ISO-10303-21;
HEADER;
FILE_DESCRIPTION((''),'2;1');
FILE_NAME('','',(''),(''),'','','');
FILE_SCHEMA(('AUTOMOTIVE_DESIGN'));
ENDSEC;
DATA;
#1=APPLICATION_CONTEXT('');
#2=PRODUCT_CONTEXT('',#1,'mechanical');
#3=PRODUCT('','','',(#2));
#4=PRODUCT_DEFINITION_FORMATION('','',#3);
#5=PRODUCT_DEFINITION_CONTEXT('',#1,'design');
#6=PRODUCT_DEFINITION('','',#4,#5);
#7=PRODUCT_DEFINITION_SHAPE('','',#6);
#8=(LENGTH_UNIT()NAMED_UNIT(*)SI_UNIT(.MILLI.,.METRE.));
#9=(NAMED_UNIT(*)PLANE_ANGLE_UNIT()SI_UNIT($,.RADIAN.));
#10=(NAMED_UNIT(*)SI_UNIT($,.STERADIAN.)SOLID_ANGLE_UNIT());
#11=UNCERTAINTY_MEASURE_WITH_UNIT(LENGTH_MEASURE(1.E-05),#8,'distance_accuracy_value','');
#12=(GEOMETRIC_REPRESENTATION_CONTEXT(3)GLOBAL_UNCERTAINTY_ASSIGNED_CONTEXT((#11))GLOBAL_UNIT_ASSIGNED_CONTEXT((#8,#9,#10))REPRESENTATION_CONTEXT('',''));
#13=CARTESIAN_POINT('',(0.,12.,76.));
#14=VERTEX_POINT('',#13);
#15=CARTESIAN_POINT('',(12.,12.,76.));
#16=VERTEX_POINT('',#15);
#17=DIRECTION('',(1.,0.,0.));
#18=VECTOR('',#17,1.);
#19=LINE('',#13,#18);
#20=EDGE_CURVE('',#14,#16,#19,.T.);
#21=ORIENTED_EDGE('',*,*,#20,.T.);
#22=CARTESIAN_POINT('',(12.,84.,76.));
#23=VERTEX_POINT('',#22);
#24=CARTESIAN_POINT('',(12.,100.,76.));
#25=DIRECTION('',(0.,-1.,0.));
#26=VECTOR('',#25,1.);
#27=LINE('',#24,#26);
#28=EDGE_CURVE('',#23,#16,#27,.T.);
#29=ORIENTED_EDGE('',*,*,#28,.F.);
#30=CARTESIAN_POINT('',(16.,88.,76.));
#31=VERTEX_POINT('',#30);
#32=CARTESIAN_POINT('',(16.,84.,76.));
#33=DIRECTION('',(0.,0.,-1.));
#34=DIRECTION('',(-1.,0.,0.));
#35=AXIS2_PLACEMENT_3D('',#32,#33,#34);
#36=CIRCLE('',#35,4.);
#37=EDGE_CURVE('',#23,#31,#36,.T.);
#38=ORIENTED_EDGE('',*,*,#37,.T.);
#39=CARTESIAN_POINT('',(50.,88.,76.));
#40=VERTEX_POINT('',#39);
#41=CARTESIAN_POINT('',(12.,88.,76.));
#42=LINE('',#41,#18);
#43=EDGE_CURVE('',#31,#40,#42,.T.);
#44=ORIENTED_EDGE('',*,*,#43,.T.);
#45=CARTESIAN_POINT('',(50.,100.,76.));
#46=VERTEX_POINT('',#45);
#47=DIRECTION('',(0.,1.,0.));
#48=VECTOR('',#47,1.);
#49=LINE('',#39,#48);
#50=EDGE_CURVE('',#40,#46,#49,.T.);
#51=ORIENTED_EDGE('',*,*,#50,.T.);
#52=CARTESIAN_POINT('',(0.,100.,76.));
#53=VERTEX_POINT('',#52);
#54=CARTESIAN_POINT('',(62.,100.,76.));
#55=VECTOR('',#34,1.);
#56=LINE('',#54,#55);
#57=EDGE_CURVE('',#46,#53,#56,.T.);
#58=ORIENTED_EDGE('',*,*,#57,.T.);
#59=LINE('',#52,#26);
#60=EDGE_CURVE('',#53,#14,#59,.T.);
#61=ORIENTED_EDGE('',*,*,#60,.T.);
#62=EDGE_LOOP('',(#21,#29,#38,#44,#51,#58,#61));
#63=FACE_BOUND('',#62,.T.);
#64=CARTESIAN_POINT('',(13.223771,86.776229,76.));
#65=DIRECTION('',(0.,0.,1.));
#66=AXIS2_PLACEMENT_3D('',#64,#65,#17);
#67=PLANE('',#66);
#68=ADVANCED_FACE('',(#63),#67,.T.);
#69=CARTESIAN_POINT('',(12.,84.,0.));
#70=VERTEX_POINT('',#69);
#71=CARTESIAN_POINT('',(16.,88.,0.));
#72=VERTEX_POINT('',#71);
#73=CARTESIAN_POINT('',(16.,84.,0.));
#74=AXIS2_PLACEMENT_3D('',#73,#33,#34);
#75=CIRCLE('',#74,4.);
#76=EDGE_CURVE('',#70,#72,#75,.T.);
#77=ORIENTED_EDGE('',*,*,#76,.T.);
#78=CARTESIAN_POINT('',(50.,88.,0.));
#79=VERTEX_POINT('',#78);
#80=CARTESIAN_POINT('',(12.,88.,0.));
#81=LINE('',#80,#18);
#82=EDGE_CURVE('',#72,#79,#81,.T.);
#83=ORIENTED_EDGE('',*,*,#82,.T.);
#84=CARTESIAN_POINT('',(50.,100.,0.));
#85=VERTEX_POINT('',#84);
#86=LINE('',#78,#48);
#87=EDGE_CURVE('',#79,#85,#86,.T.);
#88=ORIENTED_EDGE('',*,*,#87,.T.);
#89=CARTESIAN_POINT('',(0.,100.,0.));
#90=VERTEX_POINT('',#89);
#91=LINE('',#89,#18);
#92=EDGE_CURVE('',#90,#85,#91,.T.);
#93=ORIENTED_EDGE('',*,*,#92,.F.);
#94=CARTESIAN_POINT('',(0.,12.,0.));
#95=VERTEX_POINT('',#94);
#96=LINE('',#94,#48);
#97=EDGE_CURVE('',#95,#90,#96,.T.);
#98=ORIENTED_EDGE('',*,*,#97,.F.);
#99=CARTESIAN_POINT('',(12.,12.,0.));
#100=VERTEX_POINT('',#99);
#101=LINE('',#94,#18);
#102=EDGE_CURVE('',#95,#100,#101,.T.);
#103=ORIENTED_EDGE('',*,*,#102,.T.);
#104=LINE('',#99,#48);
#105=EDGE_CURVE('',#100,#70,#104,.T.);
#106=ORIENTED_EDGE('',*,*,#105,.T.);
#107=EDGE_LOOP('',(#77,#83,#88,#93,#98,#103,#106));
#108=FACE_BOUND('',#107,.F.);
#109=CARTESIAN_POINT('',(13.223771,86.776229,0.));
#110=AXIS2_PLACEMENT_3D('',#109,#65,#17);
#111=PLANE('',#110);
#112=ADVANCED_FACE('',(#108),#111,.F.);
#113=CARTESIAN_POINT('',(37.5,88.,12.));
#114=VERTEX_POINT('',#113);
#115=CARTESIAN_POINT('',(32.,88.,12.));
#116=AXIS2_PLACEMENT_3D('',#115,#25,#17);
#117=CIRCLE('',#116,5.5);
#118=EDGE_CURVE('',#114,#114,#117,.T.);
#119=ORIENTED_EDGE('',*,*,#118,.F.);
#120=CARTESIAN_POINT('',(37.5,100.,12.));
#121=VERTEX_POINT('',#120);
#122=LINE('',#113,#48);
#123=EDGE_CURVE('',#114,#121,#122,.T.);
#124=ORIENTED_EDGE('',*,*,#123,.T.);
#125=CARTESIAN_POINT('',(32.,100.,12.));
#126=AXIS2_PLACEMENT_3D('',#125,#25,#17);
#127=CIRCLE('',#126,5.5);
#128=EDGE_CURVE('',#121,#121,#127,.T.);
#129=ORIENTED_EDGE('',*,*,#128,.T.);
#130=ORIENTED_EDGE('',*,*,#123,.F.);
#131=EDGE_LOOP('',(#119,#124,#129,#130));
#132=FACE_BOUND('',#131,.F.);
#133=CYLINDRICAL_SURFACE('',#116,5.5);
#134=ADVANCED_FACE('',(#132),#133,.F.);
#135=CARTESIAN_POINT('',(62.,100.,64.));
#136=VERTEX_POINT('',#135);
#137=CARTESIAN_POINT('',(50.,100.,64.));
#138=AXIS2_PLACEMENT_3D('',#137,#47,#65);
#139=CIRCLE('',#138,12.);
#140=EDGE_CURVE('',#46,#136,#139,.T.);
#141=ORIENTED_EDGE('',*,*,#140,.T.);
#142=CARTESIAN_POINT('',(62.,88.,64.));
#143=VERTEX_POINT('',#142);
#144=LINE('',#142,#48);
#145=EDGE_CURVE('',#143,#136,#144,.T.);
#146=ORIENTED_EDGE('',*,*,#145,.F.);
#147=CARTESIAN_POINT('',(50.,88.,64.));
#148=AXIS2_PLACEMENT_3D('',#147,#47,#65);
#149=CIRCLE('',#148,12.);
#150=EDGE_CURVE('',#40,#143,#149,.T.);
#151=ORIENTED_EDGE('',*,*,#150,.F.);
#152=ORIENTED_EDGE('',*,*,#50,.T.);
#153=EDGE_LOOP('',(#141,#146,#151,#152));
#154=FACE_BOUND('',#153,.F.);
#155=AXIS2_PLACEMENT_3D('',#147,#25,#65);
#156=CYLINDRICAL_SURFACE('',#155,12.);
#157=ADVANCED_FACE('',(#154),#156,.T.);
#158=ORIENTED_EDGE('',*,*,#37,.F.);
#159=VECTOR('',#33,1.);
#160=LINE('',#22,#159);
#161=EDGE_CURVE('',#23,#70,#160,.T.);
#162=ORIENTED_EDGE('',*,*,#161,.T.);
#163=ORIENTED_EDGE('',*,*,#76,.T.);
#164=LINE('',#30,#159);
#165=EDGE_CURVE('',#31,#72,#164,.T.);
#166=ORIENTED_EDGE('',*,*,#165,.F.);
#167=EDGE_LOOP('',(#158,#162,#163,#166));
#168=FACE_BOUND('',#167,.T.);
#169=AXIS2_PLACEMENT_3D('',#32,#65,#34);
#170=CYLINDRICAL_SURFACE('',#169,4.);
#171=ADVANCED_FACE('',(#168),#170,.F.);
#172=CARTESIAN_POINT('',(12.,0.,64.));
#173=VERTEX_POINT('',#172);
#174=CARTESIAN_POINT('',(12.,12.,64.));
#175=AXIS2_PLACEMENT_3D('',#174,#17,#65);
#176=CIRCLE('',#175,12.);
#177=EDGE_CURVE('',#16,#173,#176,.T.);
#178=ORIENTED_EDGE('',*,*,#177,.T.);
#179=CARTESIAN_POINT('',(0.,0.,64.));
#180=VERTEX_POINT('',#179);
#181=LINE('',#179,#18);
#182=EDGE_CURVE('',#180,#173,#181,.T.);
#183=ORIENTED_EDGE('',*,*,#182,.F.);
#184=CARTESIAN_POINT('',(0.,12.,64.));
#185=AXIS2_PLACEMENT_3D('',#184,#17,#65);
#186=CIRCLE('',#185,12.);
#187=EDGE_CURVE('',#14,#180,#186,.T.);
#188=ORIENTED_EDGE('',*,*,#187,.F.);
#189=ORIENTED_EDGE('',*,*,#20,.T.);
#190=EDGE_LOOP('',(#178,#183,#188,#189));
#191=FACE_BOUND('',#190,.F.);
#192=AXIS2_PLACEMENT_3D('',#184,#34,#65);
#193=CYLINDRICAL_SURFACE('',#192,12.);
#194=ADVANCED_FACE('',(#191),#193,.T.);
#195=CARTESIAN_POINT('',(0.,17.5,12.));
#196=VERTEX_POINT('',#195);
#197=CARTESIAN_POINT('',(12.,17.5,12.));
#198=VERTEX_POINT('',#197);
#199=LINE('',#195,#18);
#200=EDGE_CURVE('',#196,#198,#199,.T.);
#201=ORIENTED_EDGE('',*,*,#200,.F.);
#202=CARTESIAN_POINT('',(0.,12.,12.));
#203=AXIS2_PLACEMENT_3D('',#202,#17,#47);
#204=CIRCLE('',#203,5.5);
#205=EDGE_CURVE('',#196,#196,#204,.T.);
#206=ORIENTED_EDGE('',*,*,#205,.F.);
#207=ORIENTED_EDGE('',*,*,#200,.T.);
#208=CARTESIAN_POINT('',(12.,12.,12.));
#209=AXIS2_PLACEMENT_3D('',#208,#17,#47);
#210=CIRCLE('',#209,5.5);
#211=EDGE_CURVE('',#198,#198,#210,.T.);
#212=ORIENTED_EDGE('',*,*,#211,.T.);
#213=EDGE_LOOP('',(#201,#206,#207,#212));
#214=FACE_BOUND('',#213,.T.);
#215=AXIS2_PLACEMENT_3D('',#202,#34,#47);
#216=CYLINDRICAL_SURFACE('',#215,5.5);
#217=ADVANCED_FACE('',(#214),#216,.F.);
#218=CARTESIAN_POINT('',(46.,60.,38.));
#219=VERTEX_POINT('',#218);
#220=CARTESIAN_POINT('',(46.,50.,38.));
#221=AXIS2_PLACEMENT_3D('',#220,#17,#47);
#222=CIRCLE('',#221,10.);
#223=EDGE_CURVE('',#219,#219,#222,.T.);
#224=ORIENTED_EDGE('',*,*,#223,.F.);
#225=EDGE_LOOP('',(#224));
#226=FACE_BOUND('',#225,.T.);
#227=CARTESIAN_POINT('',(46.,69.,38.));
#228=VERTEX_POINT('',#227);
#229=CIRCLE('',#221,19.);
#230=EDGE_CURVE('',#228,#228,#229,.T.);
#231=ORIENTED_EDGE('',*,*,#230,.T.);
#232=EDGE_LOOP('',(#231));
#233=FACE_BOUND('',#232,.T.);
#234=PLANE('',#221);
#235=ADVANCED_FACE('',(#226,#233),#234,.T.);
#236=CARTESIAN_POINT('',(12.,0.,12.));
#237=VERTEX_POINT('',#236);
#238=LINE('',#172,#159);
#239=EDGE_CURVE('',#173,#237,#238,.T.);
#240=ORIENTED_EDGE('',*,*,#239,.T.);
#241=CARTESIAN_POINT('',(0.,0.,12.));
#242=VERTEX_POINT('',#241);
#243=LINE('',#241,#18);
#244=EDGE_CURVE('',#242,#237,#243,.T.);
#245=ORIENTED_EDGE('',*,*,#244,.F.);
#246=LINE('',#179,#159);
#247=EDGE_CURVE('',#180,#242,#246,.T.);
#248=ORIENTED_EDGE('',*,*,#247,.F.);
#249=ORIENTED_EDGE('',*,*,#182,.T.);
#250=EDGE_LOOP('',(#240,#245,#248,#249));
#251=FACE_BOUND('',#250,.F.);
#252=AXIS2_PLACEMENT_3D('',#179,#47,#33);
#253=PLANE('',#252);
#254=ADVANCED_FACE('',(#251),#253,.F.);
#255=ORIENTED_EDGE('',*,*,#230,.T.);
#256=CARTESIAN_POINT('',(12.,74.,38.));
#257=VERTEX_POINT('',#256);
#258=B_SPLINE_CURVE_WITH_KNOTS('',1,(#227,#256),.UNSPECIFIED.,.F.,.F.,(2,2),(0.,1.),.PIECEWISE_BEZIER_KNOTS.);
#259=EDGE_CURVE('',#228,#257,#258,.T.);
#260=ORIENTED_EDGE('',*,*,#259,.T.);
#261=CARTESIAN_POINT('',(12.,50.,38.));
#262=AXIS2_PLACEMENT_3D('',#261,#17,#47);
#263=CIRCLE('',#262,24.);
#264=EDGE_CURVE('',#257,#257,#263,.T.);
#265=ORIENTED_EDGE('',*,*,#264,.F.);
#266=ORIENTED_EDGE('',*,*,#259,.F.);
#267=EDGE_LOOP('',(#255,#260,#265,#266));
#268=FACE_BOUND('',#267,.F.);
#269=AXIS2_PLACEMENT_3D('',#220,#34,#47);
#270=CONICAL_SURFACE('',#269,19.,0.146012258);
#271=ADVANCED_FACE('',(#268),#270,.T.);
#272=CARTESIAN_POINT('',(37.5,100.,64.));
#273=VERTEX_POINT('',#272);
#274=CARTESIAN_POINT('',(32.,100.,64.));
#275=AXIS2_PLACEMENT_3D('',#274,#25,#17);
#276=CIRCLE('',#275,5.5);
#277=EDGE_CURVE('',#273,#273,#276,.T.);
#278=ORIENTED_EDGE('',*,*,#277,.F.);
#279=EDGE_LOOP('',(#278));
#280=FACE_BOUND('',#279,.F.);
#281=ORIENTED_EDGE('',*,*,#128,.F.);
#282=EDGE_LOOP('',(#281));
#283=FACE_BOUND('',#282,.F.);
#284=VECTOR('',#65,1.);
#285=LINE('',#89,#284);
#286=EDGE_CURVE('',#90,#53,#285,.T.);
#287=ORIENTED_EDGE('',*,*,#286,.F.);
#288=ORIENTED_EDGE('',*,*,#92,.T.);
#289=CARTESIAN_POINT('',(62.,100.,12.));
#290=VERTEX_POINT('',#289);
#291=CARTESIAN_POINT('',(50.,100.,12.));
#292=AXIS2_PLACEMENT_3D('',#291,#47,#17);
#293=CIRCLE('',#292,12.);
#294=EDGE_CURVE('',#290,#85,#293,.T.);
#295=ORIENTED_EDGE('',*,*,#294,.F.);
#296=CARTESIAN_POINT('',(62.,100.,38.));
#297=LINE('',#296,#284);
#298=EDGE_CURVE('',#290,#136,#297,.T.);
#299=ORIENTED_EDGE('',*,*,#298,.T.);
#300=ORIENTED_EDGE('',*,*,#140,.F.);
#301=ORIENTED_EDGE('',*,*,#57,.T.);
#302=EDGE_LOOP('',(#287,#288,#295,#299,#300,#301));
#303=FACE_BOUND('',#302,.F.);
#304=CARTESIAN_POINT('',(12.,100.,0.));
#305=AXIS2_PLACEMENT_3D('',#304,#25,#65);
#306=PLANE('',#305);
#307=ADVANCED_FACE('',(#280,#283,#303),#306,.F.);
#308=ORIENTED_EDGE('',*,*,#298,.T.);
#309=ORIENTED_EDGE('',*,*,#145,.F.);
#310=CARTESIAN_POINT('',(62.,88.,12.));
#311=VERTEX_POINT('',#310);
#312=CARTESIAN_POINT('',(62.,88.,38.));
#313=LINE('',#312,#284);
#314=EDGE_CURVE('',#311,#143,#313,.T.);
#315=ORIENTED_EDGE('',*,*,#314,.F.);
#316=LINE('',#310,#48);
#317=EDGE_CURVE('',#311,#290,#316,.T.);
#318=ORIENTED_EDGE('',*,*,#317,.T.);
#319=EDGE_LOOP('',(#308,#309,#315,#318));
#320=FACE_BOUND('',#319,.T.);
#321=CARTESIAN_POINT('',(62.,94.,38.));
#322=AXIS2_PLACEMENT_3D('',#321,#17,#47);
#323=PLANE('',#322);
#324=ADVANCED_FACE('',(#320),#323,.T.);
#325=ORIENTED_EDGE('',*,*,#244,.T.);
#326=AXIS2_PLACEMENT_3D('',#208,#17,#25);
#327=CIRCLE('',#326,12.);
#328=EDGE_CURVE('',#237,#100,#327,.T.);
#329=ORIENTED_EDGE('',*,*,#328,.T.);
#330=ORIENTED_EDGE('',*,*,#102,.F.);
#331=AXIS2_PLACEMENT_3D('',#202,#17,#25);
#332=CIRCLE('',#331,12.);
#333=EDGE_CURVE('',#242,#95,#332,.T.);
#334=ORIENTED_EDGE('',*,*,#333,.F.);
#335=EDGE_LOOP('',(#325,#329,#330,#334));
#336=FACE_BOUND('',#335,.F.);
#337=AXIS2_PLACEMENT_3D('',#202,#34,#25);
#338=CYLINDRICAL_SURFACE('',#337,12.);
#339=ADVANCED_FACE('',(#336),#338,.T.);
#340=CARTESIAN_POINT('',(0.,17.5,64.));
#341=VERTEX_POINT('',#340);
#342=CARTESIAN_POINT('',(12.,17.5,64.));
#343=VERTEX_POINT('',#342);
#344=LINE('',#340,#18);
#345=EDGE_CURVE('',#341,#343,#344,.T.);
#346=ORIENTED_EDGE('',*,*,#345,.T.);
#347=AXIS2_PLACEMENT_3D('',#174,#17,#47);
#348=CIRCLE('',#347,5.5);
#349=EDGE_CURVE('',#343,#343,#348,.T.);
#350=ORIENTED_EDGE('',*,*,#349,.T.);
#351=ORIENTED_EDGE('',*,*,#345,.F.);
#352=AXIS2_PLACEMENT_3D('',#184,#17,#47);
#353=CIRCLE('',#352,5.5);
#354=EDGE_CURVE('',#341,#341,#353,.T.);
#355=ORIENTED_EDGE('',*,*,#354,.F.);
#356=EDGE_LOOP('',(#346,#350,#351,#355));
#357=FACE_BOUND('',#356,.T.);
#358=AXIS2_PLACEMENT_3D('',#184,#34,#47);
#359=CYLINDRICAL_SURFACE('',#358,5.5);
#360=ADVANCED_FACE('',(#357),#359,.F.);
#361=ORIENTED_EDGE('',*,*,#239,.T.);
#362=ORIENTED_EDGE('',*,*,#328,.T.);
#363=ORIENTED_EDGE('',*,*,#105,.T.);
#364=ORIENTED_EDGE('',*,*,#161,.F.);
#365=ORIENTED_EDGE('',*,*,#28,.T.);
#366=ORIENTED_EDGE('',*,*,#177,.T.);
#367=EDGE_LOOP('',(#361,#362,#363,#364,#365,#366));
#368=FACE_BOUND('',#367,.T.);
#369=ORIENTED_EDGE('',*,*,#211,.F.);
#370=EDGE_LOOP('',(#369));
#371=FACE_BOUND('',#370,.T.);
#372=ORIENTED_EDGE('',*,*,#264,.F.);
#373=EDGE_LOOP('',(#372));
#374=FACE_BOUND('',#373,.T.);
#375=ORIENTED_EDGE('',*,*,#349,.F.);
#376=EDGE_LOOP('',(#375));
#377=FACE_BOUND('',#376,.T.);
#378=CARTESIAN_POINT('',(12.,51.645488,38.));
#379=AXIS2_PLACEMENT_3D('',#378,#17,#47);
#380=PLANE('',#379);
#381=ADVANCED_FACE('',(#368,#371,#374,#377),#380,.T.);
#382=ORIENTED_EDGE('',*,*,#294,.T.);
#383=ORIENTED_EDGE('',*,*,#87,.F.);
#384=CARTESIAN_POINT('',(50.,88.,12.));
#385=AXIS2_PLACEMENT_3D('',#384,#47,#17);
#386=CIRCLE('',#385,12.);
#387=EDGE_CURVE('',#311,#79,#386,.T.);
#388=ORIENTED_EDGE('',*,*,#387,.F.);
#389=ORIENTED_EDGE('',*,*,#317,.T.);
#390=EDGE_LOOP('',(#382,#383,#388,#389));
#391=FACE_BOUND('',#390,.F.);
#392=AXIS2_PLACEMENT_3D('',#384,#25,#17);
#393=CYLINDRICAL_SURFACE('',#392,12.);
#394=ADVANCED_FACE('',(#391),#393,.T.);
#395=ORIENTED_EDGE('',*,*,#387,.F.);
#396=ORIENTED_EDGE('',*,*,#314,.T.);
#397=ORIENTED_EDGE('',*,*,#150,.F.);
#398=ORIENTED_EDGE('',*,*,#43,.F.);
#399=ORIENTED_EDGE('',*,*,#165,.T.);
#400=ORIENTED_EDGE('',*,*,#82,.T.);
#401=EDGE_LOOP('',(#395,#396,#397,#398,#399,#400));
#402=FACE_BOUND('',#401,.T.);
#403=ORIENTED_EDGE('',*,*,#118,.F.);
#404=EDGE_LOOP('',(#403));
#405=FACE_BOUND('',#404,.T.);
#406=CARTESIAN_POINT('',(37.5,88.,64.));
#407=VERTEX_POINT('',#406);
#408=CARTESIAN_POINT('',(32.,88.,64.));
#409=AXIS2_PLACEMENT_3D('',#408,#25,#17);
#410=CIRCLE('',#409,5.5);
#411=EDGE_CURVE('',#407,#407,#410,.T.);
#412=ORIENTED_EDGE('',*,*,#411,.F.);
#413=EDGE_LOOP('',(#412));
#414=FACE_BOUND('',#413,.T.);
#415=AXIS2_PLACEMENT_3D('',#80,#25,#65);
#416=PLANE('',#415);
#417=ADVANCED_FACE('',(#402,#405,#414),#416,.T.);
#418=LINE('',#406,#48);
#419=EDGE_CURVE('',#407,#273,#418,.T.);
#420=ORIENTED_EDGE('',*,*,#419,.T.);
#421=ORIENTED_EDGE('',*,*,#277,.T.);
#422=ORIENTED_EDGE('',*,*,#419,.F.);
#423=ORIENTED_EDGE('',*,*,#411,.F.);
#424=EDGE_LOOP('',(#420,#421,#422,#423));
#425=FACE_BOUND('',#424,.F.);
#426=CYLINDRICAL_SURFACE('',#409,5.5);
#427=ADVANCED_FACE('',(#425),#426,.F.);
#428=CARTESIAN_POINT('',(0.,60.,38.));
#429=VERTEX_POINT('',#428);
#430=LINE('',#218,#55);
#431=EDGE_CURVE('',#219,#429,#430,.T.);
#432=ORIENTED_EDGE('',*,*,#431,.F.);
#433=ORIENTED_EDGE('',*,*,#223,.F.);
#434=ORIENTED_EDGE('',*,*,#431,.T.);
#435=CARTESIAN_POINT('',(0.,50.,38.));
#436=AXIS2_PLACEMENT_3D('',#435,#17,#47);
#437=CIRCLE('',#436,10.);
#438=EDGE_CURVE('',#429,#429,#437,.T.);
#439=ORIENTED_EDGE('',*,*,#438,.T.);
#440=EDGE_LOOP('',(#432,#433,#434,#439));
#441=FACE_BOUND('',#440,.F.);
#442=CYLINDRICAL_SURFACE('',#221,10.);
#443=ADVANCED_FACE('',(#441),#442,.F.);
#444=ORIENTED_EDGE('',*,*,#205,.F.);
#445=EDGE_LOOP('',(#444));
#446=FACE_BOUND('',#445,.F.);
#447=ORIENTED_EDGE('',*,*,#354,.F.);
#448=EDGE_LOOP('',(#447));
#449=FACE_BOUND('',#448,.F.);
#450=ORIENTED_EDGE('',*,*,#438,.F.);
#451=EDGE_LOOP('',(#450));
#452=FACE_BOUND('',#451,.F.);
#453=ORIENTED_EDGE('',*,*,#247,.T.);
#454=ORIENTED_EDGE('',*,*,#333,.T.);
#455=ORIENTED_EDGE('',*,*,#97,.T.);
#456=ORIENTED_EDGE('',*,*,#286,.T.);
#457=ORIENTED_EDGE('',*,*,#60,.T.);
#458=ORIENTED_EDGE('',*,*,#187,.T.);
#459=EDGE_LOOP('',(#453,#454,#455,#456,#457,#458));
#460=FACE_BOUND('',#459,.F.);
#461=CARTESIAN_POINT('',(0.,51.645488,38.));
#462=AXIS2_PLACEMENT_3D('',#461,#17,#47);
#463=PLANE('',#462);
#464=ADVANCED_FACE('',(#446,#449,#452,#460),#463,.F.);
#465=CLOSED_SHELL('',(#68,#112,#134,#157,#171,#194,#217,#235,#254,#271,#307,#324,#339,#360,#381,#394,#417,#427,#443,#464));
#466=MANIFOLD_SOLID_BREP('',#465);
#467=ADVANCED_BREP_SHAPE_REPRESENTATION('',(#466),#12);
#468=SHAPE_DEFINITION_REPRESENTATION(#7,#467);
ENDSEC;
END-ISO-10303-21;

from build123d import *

# Parameters (mm, degrees)
F0_R      = 5.5
F1_DEPTH  = 12
F2_W      = 12
F2_H      = 76
F3_DEPTH  = 50
F4_R      = 5.5
F5_DEPTH  = 12
F8_R      = 19
F6_R      = 24
F10_R     = 10
F11_DEPTH = 46
F13_DEPTH = 76


with BuildPart() as f1:
    # F0 (on Right) → F1 (new body)
    with BuildSketch(Plane.YZ):
        with BuildLine():
            ThreePointArc((0, 12), (3.5147186258, 3.5147186258), (12, 0))
            Line((12, 0), (100, 0))
            Line((100, 0), (100, 76))
            Line((100, 76), (12, 76))
            ThreePointArc((12, 76), (3.5147186258, 72.4852813742), (0, 64))
            Line((0, 64), (0, 12))
        make_face()
        with Locations((12, 12)):
            Circle(F0_R, mode=Mode.SUBTRACT)
        with Locations((12, 64)):
            Circle(F0_R, mode=Mode.SUBTRACT)
    extrude(amount=F1_DEPTH)

    # F2 (on face) → F3 (join)
    with BuildSketch(Plane.YZ.offset(12)):
        with Locations((94, 38)):
            Rectangle(F2_W, F2_H)
    extrude(amount=F3_DEPTH)

    # F4 (on face) → F5 (cut)
    with BuildSketch(Plane.XZ.offset(-88)):
        with Locations((32, 64)):
            Circle(F4_R)
        with Locations((32, 12)):
            Circle(F4_R)
        with BuildLine():
            ThreePointArc((50, 76), (58.4852813742, 72.4852813742), (62, 64))
            Line((62, 64), (62, 76))
            Line((62, 76), (50, 76))
        make_face()
        with BuildLine():
            Line((62, 0), (62, 12))
            ThreePointArc((62, 12), (58.4852813742, 3.5147186258), (50, 0))
            Line((50, 0), (62, 0))
        make_face()
    extrude(amount=-F5_DEPTH, mode=Mode.SUBTRACT)

    # F8 (on offset) → F9 section 0
    with BuildSketch(Plane.YZ.offset(46)):
        with Locations((50, 38)):
            Circle(F8_R)
    # F6 (on face) → F9 section 1
    with BuildSketch(Plane.YZ.offset(12)):
        with Locations((50, 38)):
            Circle(F6_R)
    loft()

    # F10 (on face) → F11 (cut)
    with BuildSketch(Plane.YZ.offset(46)):
        with Locations((50, 38)):
            Circle(F10_R)
    extrude(amount=-F11_DEPTH, mode=Mode.SUBTRACT)

    # F12 (on face) → F13 (join)
    with BuildSketch(Plane.XY.offset(76)):
        with BuildLine():
            ThreePointArc((12, 84), (13.1715728753, 86.8284271247), (16, 88))
            Line((16, 88), (12, 88))
            Line((12, 88), (12, 84))
        make_face()
    extrude(amount=-F13_DEPTH)


solid = f1.part
